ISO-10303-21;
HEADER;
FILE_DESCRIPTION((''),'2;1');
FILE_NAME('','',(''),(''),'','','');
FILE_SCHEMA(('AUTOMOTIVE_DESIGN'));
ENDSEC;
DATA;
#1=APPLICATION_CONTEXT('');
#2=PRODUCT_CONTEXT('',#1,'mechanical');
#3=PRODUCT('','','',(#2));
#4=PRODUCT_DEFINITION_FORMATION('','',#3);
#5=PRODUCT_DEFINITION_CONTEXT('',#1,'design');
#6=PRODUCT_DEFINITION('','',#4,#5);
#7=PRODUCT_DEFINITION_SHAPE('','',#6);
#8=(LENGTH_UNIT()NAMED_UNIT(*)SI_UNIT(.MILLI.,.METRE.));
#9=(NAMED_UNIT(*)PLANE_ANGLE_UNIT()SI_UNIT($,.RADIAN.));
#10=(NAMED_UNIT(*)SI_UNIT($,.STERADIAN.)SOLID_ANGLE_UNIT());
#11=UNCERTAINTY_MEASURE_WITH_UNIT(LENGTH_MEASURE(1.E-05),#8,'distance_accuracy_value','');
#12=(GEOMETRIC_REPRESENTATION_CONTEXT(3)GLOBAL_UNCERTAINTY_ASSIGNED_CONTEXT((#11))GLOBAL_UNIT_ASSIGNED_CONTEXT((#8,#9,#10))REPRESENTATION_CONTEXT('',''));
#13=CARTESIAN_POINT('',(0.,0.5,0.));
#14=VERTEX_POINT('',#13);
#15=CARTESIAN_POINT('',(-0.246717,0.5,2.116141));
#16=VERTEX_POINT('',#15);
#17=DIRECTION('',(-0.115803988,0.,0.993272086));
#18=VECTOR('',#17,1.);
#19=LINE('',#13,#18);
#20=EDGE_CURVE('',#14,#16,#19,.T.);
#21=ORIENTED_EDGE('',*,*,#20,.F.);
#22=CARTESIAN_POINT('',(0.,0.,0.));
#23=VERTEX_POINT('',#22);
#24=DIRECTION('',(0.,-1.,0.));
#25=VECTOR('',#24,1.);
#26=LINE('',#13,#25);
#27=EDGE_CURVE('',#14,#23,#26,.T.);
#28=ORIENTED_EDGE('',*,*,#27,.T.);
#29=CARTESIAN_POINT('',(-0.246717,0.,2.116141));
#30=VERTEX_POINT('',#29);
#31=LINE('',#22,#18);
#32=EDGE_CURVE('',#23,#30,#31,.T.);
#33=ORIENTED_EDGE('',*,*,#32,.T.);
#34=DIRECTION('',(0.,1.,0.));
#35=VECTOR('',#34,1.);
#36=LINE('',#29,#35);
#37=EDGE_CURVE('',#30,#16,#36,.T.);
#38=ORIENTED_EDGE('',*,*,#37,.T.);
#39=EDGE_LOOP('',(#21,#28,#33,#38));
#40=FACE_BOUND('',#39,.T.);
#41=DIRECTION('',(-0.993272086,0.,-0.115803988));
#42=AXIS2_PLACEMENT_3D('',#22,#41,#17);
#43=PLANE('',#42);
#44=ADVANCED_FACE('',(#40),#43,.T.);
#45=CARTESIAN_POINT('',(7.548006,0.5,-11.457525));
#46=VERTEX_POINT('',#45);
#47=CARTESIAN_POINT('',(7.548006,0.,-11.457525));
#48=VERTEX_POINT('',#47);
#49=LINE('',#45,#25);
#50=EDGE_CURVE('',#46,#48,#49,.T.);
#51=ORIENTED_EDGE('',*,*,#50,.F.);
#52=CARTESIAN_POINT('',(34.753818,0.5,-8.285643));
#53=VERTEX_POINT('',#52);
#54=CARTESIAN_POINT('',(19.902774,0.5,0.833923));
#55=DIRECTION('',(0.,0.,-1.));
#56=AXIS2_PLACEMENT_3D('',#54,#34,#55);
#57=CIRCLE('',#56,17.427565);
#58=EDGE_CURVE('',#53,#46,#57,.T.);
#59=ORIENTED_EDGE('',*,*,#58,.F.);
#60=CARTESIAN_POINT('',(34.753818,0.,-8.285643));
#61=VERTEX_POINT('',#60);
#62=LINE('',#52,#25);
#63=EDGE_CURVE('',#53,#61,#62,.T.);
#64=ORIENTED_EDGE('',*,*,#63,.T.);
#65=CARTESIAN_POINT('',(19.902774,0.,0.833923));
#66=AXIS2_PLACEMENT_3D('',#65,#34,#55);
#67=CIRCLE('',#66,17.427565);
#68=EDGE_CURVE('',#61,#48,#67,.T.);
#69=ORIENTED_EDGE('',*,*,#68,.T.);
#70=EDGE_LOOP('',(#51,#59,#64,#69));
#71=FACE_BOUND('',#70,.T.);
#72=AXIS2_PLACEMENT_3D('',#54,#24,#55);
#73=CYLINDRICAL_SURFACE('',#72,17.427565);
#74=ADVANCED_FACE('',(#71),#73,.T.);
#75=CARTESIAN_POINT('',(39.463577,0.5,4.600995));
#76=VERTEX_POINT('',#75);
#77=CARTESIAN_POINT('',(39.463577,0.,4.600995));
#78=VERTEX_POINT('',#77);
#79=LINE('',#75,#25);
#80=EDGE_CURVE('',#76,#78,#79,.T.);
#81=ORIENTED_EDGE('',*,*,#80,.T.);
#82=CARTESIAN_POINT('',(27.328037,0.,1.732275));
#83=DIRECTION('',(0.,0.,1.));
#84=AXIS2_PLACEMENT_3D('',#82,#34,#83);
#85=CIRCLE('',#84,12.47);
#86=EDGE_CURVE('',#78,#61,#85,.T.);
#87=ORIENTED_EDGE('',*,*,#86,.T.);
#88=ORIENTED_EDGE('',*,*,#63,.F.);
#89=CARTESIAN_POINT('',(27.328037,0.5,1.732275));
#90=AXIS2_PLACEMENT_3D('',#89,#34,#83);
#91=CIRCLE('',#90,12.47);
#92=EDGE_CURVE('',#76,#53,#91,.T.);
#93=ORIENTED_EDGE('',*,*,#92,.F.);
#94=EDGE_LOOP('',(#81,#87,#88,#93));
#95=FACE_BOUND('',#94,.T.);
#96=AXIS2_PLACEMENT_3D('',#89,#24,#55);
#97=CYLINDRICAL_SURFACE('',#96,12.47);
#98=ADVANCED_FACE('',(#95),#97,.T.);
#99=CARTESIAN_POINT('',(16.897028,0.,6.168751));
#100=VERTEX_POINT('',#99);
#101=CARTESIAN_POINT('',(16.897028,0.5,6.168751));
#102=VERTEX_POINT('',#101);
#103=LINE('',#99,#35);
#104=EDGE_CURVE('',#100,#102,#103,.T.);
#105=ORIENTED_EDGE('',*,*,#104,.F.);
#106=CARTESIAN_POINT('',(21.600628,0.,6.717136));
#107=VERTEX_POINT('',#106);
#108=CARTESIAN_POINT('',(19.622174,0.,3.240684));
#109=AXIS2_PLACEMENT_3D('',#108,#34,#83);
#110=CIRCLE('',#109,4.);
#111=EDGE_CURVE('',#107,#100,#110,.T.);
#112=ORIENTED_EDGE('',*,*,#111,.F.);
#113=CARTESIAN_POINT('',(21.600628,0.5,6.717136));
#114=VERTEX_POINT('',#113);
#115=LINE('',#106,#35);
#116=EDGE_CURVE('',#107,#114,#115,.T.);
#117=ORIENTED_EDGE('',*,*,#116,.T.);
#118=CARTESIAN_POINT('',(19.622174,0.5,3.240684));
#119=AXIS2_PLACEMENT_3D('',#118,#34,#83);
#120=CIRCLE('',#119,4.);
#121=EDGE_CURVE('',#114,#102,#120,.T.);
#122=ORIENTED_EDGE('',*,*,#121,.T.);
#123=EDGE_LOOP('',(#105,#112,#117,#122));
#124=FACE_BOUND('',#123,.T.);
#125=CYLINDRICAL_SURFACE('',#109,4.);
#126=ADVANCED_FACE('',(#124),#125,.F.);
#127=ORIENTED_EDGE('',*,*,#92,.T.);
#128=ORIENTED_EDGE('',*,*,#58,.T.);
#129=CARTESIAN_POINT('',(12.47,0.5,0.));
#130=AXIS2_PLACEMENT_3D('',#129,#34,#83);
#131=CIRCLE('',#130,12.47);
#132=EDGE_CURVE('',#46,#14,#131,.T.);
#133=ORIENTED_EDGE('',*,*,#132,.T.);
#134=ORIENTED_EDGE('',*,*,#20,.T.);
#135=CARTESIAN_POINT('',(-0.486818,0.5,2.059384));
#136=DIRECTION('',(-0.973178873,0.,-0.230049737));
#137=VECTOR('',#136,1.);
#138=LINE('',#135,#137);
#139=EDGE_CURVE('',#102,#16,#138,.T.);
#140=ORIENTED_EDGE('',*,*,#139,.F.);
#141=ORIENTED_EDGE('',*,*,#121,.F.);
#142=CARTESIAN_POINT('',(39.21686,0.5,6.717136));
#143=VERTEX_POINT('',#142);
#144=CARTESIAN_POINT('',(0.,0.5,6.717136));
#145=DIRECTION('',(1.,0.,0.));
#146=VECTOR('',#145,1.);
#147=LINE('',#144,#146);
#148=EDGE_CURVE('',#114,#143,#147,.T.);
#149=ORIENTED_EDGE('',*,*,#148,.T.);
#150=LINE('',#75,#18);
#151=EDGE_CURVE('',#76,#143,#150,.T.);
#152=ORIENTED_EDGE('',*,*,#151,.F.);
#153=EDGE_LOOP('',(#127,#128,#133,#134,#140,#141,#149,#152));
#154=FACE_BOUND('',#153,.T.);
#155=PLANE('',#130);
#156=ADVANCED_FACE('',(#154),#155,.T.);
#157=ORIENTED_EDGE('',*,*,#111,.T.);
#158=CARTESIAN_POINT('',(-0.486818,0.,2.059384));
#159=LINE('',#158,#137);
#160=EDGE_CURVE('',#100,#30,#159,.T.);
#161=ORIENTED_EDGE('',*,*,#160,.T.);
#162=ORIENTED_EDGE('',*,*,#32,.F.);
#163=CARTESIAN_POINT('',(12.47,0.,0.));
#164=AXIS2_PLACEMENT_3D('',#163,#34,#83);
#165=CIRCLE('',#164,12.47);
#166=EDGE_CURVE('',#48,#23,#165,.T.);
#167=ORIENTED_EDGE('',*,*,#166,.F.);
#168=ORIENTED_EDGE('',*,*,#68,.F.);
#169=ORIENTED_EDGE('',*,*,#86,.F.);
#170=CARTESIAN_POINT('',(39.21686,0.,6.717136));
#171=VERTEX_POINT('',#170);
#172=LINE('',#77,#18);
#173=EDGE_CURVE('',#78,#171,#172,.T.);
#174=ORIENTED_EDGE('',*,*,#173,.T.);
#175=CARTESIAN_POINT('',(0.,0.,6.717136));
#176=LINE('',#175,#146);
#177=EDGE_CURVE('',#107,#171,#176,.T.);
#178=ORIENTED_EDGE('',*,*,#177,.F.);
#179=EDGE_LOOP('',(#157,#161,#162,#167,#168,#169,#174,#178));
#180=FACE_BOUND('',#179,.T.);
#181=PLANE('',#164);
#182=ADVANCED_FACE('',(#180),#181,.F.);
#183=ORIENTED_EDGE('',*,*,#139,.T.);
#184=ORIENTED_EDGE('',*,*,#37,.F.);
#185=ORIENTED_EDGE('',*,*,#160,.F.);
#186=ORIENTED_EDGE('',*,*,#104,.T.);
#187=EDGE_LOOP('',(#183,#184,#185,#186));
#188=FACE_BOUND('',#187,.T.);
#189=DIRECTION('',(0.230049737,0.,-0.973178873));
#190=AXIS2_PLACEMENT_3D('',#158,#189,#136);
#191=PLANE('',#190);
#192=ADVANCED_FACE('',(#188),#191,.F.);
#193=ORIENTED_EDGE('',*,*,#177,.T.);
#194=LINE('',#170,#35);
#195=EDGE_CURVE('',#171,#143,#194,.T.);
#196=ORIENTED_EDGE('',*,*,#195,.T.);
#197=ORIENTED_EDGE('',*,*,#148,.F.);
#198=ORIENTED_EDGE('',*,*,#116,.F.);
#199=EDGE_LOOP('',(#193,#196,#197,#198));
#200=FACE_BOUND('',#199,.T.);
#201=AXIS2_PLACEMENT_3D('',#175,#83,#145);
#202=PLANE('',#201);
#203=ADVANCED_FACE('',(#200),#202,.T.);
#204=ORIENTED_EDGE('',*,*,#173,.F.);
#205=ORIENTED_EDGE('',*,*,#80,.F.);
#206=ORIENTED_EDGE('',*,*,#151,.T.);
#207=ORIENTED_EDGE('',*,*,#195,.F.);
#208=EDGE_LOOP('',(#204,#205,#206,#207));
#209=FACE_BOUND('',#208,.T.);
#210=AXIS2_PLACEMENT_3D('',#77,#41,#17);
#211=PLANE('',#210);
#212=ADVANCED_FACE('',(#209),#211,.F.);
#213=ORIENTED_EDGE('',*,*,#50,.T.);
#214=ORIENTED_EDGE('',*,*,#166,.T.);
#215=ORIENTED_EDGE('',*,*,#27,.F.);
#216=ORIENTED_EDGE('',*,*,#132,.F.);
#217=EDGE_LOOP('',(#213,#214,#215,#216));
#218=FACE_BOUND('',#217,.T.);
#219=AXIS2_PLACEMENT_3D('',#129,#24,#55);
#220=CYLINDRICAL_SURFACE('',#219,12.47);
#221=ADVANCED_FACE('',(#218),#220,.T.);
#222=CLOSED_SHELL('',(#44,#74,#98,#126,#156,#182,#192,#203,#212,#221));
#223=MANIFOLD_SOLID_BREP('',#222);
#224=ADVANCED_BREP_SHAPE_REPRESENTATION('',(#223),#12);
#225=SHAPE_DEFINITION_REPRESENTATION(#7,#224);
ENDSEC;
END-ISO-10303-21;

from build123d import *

# Parameters (mm, degrees)
SALIENTE_EXTRUIR2_DEPTH = 0.5
CORTAR_EXTRUIR1_DEPTH   = 0.5
SALIENTE_EXTRUIR3_DEPTH = 0.5


with BuildPart() as part:
    # Croquis2 → Saliente-Extruir2 (new body)
    with BuildSketch(Plane(origin=(0, 0, 0), x_dir=(1, 0, 0), z_dir=(0, 1, 0))):
        with BuildLine():
            Line((0, 0), (20, 0))
            Line((20, 0), (39.463577456, -4.600994744))
            ThreePointArc((39.463577456, -4.600994744), (39.040324802, 2.548287638), (34.753818463, 8.285642846))
            ThreePointArc((34.753818463, 8.285642846), (21.920955681, 16.476389899), (7.548005539, 11.457524625))
            ThreePointArc((7.548005539, 11.457524625), (2.056591074, 6.860161407), (0, 0))
        make_face()
    extrude(amount=SALIENTE_EXTRUIR2_DEPTH)

    # Croquis3 → Cortar-Extruir1 (cut)
    with BuildSketch(Plane(origin=(0, 0.5, 0), x_dir=(1, 0, 0), z_dir=(0, 1, 0))):
        with BuildLine():
            Line((20, 0), (16.5, 0))
            ThreePointArc((16.5, 0), (20.143291885, 1.229040833), (23.406126055, -0.80517408))
            Line((23.406126055, -0.80517408), (20, 0))
        make_face()
    extrude(amount=-CORTAR_EXTRUIR1_DEPTH, mode=Mode.SUBTRACT)

    # Croquis4 → Saliente-Extruir3 (add)
    with BuildSketch(Plane(origin=(0, 0.5, 0), x_dir=(1, 0, 0), z_dir=(0, 1, 0))):
        with BuildLine():
            Line((-0.246717473, -2.116141109), (16.897027571, -6.168750709))
            ThreePointArc((16.897027571, -6.168750709), (18.02539366, 0.426780522), (23.62217394, -3.240683553))
            ThreePointArc((23.62217394, -3.240683553), (23.080050106, -5.251427798), (21.600627731, -6.717135853))
            Line((21.600627731, -6.717135853), (39.216859982, -6.717135853))
            Line((39.216859982, -6.717135853), (39.463577456, -4.600994744))
            Line((39.463577456, -4.600994744), (20.690616261, 2.904236285))
            Line((20.690616261, 2.904236285), (0, 0))
            Line((0, 0), (-0.246717473, -2.116141109))
        make_face()
    extrude(amount=-SALIENTE_EXTRUIR3_DEPTH)


solid = part.part
